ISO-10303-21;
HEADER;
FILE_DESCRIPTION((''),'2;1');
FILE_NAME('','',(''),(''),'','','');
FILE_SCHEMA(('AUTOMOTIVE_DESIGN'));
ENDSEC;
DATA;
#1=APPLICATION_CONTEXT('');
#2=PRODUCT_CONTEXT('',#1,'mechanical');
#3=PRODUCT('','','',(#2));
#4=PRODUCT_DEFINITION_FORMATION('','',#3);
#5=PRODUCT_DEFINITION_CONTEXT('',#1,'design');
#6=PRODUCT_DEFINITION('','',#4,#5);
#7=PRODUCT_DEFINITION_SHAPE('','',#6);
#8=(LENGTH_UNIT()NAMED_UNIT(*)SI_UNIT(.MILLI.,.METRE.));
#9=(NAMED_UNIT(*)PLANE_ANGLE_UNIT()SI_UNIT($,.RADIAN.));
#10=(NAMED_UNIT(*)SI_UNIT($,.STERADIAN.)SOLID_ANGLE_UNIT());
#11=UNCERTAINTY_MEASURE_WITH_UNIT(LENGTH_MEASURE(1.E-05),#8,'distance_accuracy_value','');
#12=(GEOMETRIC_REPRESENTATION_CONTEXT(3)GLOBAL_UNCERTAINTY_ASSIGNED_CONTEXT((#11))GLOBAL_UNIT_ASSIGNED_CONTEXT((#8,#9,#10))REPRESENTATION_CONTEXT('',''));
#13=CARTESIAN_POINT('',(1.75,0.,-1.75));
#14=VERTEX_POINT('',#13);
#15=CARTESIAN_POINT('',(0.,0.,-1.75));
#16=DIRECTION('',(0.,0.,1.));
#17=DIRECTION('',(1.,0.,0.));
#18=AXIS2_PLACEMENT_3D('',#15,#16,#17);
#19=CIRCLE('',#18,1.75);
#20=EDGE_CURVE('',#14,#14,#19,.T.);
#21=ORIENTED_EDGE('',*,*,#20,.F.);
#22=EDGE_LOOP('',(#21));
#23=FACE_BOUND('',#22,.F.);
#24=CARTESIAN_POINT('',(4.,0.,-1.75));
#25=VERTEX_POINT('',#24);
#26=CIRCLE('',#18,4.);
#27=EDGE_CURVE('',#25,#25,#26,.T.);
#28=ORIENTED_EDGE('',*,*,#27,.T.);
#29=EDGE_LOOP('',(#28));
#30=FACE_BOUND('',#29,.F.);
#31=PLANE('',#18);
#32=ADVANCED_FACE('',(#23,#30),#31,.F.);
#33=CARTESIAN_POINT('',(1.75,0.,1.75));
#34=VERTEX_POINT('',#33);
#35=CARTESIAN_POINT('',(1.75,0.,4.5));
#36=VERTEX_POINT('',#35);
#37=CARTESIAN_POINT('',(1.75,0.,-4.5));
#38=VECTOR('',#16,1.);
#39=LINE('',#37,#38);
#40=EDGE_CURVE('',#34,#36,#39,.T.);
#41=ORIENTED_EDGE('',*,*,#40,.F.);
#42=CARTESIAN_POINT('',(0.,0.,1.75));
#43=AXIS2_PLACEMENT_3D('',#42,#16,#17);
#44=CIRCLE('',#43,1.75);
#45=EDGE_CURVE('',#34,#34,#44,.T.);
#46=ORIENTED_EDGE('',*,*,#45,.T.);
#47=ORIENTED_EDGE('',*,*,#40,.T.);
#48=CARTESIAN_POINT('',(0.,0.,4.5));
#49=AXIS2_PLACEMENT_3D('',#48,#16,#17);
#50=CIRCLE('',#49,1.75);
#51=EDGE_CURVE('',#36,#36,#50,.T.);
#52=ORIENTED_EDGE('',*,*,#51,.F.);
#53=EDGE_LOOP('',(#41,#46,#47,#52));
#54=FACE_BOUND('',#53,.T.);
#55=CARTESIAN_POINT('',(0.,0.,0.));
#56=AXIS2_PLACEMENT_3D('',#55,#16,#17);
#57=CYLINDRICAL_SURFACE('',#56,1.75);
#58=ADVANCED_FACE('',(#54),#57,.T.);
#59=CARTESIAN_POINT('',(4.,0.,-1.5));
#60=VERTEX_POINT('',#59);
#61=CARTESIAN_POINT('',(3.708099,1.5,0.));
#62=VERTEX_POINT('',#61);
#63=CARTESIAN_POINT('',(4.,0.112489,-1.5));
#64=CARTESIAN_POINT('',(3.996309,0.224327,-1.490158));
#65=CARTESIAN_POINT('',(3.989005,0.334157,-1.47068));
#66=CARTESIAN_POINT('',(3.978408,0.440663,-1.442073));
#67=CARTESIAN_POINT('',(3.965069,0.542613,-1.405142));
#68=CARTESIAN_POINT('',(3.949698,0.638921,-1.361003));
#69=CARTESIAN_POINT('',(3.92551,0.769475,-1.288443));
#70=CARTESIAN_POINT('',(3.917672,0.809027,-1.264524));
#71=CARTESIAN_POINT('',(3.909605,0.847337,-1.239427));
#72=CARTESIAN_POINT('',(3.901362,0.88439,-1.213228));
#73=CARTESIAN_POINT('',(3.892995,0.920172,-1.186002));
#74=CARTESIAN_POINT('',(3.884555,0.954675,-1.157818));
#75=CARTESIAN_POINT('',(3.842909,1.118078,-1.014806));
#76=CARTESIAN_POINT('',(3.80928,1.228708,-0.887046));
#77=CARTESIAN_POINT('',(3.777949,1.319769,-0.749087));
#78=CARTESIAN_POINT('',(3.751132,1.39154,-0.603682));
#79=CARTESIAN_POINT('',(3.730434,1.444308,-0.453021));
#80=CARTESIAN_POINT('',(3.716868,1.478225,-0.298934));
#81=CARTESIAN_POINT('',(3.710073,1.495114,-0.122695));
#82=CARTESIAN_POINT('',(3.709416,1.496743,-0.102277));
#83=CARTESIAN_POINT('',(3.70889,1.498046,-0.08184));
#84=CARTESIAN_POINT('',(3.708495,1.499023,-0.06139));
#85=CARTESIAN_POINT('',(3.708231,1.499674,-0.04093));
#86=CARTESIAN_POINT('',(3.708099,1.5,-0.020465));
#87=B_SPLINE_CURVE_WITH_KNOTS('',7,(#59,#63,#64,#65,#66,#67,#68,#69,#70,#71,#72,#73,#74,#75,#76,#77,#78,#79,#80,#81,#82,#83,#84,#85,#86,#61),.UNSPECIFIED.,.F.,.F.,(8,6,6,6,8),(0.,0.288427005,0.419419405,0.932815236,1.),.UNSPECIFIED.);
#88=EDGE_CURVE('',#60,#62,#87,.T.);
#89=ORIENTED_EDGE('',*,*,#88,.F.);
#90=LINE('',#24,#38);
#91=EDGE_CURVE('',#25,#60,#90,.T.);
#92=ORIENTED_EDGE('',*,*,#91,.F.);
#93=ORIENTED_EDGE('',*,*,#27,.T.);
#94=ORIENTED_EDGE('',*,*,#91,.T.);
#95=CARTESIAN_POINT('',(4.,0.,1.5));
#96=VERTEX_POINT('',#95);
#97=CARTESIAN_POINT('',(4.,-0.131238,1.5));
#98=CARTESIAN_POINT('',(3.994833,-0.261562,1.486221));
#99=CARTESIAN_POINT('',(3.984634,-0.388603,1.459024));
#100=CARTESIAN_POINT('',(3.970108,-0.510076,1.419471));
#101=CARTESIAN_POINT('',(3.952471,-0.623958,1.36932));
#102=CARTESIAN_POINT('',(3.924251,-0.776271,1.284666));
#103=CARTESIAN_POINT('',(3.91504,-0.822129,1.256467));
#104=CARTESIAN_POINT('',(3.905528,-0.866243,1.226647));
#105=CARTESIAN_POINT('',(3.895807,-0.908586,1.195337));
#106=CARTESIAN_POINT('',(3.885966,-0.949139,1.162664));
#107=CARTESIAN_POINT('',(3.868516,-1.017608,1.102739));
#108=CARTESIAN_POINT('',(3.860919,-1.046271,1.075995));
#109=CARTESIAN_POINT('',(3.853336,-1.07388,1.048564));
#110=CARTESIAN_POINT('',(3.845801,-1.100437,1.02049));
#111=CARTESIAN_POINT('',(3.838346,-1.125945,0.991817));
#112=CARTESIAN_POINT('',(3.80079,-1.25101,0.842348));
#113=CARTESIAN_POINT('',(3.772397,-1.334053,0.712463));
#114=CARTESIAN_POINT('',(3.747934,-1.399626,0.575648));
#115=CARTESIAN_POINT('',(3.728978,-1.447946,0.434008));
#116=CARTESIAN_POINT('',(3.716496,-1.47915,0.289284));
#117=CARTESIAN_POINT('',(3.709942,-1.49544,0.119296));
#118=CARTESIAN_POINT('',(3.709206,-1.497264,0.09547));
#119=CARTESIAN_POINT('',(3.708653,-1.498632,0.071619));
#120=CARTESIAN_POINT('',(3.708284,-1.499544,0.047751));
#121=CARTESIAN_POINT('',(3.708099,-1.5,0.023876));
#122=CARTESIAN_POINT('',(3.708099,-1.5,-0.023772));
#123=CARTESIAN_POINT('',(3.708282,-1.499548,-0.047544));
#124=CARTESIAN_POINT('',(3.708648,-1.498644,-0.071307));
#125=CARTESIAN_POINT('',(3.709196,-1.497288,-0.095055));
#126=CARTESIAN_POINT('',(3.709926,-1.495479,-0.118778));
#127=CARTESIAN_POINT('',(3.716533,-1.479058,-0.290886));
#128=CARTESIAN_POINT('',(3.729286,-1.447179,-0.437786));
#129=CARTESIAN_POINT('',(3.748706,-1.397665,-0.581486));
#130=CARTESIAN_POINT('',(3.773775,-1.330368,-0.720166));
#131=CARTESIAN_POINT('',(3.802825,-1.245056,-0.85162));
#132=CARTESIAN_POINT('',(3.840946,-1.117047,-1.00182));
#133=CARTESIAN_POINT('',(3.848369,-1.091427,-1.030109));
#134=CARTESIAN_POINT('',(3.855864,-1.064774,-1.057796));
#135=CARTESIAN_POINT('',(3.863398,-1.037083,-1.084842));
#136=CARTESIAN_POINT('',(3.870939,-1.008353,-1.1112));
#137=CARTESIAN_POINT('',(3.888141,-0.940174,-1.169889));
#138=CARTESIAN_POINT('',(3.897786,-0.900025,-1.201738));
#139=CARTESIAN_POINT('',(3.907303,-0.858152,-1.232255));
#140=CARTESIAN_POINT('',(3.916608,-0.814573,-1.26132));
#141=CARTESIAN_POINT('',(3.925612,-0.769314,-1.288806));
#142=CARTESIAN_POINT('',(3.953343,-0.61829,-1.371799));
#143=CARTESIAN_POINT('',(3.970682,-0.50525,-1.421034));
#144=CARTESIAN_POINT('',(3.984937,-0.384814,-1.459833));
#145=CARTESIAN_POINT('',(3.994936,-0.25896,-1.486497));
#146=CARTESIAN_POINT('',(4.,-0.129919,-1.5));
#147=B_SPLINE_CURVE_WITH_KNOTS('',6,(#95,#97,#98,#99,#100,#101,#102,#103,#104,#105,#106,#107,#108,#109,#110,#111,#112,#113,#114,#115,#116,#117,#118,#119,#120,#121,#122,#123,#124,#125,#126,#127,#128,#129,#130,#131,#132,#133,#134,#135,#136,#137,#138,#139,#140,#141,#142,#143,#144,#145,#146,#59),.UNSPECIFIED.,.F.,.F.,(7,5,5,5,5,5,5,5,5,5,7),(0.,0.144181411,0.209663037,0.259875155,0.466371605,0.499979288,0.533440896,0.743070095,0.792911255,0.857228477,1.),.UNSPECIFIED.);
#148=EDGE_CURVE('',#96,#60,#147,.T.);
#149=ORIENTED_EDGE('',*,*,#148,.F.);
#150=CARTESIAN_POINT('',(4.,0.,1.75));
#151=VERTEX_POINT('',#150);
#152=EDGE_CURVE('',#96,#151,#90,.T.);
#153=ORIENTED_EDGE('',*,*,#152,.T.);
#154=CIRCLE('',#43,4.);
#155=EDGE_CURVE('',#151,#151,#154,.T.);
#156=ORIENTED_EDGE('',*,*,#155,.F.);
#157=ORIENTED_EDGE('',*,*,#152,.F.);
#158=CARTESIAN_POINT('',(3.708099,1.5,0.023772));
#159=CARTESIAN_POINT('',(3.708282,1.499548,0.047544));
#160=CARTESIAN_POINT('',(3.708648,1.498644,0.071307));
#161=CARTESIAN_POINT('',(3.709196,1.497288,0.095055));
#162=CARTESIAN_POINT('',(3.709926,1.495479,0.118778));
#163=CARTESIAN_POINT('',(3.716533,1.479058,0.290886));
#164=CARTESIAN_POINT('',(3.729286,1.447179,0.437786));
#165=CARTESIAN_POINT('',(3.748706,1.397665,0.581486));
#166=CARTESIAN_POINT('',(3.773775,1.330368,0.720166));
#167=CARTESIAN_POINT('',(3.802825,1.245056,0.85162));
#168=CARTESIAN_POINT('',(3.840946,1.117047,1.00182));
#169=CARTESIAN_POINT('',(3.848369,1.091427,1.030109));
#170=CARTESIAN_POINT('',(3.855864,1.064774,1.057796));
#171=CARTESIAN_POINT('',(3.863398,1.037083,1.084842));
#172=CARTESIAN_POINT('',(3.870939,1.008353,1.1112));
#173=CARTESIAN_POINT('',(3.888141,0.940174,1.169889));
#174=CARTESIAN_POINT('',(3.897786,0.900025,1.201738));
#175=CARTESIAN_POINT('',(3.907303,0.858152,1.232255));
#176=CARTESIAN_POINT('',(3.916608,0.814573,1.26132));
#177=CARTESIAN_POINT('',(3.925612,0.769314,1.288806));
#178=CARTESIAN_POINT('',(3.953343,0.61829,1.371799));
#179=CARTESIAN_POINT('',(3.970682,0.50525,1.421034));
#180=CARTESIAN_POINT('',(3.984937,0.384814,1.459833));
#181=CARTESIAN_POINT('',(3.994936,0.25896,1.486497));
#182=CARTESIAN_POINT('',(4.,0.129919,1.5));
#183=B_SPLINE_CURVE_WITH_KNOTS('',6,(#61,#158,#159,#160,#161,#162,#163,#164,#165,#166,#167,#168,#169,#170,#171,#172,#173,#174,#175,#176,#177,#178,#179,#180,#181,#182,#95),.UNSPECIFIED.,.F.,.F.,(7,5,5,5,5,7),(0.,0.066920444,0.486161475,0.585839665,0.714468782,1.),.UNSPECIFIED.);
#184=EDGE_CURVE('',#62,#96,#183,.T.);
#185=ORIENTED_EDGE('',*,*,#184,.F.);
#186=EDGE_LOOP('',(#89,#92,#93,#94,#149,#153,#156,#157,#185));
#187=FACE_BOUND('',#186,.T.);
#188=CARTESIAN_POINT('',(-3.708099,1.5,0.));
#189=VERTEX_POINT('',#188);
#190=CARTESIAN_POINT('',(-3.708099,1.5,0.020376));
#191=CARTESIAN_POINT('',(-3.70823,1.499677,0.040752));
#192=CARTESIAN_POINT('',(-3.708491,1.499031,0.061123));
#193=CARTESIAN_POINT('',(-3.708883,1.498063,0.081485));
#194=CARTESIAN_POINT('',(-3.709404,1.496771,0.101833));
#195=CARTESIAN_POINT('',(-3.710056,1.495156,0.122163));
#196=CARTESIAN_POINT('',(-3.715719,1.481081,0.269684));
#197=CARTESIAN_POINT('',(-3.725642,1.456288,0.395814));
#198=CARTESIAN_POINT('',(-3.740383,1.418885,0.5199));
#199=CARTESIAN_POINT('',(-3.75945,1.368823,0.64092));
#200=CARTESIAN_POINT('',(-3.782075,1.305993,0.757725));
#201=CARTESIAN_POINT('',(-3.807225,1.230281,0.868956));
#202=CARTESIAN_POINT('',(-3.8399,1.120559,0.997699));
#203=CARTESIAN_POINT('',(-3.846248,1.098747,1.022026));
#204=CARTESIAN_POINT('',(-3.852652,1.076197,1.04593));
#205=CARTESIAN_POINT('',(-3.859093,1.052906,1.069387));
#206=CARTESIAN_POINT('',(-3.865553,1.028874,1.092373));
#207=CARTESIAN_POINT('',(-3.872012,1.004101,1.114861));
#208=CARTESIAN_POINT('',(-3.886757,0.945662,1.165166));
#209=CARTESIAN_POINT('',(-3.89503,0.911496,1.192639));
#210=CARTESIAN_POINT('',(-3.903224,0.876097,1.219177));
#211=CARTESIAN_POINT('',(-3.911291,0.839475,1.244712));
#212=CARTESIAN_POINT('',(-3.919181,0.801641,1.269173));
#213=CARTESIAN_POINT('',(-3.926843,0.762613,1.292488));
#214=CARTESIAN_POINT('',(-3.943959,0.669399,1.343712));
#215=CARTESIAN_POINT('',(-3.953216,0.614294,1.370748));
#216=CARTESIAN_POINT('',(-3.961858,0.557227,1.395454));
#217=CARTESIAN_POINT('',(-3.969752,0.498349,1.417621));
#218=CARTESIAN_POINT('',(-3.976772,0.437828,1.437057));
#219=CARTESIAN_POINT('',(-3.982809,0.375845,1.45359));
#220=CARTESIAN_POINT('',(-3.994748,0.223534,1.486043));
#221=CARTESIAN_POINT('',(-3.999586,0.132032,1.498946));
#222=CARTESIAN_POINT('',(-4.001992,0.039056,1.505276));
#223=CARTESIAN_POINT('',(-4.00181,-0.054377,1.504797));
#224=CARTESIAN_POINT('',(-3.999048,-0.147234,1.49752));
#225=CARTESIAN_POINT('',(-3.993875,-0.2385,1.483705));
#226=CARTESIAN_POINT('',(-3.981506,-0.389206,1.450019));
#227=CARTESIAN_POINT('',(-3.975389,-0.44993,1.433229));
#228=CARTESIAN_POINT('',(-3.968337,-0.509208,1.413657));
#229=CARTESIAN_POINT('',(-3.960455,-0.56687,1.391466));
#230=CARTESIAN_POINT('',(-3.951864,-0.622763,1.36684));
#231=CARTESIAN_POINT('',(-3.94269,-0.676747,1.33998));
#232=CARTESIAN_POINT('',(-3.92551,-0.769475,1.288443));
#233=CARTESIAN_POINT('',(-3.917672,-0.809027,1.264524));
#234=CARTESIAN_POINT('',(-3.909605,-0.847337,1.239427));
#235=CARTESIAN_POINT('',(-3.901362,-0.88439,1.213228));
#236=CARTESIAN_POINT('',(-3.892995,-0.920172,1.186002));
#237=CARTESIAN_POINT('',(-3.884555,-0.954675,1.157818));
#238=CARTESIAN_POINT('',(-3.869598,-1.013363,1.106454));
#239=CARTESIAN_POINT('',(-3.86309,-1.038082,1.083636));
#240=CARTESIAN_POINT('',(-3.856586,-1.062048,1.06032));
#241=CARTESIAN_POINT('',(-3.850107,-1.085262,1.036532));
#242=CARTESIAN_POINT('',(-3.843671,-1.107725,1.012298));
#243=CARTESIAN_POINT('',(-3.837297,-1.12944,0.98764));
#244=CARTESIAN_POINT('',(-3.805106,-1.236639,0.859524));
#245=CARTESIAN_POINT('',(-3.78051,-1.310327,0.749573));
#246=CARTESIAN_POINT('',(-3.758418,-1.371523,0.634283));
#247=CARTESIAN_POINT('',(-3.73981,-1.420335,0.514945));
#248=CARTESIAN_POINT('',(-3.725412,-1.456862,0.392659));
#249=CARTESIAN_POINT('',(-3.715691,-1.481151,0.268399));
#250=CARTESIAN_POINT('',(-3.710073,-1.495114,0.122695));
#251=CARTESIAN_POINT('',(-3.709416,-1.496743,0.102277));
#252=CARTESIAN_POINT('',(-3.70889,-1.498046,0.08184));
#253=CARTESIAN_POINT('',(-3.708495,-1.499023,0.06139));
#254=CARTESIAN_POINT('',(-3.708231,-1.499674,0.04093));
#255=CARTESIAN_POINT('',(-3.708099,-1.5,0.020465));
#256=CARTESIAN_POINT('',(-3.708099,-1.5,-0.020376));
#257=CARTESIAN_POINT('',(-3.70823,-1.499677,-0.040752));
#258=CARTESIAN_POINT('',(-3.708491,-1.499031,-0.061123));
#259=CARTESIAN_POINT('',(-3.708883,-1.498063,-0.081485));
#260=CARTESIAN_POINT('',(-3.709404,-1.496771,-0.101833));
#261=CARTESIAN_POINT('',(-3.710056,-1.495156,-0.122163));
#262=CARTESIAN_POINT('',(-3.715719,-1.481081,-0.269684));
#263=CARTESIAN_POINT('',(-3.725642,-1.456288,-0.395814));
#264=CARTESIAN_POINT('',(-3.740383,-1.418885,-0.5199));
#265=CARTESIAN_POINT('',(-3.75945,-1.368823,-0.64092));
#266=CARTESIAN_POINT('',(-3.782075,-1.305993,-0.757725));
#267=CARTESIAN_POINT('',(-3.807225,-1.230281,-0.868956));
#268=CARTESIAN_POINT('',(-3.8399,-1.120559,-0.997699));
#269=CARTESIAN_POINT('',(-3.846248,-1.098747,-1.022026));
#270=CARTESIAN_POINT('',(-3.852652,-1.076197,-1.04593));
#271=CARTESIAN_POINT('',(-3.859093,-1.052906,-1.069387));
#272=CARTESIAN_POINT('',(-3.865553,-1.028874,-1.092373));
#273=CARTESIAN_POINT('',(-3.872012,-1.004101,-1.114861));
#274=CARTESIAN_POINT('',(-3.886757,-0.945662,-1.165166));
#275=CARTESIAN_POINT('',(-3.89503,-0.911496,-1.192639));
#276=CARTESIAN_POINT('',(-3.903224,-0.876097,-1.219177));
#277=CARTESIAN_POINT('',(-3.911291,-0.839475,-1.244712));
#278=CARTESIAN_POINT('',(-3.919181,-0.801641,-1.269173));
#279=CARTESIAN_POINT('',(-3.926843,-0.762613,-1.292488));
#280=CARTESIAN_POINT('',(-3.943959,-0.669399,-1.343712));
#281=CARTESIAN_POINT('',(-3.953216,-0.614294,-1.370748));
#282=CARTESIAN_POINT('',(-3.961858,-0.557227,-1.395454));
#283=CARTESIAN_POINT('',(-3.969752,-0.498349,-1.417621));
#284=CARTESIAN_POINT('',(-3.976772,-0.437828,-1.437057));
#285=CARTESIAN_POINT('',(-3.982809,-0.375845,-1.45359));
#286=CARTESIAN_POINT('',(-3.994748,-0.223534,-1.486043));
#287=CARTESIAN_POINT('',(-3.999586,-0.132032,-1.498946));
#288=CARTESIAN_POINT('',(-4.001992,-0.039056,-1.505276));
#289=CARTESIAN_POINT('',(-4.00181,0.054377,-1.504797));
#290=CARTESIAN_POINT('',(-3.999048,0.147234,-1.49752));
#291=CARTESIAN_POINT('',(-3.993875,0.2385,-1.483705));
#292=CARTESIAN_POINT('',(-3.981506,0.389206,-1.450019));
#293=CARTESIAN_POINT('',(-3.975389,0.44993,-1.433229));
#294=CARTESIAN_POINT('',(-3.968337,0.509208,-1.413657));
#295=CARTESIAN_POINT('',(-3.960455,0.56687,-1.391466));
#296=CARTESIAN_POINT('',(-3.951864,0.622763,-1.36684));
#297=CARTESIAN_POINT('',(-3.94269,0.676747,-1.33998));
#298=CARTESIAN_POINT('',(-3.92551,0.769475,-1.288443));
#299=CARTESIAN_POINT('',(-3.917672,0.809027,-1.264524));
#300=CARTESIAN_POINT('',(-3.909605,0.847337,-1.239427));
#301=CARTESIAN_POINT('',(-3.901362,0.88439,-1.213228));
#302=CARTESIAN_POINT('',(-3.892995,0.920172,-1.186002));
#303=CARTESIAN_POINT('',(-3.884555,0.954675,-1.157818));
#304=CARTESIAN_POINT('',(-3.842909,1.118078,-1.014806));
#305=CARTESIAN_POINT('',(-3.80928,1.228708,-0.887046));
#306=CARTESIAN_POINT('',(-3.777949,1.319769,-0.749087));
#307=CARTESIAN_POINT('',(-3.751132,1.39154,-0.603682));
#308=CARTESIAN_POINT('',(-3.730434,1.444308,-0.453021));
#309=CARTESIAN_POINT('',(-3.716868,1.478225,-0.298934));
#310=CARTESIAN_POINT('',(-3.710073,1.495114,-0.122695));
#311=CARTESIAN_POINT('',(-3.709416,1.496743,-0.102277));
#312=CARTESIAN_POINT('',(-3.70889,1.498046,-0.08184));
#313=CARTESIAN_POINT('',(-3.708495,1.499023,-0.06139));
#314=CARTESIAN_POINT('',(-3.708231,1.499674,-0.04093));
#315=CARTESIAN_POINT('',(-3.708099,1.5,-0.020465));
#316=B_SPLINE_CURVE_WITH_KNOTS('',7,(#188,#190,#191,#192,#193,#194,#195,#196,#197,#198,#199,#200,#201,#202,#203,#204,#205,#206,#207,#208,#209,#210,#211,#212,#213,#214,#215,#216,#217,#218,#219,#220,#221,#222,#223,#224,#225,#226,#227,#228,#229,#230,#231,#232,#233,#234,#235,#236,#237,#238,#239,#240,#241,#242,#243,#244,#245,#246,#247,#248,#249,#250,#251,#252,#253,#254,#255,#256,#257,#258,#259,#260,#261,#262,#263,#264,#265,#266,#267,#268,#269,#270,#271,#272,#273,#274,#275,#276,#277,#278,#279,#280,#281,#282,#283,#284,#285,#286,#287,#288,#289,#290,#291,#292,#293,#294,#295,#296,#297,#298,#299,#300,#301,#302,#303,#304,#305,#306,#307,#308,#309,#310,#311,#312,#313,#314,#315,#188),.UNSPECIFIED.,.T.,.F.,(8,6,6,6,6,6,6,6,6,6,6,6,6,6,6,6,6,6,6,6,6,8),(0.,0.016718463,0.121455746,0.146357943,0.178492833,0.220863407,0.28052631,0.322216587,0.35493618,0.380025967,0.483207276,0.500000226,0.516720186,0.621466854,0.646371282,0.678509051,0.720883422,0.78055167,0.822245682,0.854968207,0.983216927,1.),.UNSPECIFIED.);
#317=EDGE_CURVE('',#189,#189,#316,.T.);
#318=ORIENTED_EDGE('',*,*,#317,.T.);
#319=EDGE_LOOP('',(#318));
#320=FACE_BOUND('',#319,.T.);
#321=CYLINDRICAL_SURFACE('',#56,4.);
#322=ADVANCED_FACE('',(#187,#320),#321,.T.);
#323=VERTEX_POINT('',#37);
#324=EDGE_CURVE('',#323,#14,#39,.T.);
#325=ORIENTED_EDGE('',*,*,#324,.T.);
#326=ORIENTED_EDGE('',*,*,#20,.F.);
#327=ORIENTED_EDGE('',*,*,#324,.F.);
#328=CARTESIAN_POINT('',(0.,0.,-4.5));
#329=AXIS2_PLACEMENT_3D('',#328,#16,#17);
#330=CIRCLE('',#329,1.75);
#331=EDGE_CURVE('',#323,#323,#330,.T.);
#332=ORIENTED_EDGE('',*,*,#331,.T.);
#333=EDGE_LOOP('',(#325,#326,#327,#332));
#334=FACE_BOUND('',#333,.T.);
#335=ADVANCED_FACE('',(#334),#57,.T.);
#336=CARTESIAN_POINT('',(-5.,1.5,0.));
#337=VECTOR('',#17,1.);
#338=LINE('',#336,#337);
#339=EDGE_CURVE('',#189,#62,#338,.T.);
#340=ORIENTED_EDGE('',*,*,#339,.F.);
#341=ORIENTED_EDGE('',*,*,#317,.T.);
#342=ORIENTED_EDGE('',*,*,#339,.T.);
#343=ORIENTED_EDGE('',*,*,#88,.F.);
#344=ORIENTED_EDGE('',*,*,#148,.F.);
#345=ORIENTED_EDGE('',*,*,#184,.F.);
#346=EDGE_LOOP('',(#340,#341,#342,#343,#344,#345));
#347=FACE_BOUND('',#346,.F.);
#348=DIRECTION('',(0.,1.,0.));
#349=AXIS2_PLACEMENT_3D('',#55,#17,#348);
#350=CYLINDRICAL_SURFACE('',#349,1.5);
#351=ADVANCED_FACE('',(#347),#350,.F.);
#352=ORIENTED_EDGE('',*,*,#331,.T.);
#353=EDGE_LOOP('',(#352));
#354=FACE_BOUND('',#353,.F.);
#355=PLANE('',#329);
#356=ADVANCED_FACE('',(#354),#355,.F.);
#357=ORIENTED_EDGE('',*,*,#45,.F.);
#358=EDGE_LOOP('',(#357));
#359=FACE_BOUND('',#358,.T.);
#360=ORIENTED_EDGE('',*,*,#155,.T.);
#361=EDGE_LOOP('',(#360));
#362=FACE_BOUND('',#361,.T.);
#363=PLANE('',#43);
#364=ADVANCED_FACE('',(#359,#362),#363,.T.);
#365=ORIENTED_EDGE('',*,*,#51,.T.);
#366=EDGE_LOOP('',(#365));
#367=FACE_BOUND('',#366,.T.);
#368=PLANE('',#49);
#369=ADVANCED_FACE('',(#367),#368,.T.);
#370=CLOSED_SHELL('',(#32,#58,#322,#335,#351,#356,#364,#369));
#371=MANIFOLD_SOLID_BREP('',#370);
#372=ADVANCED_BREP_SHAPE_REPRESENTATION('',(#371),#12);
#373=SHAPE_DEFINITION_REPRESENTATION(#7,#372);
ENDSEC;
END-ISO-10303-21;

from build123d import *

# Parameters (mm, degrees)
F0_R     = 4
F0_R_2   = 1.75
F1_DEPTH = 1.75
F2_DEPTH = 4.5
F3_R     = 1.5
F4_DEPTH = 5


with BuildPart() as f1:
    # F0 (on Top) → F1 (new body, symmetric)
    with BuildSketch(Plane.XY):
        Circle(F0_R)
        Circle(F0_R_2, mode=Mode.SUBTRACT)
    extrude(amount=F1_DEPTH, both=True)

    # F0 (on Top) → F2 (join, symmetric)
    with BuildSketch(Plane.XY):
        Circle(F0_R_2)
    extrude(amount=F2_DEPTH, both=True)

    # F3 (on Right) → F4 (cut, symmetric)
    with BuildSketch(Plane.YZ):
        Circle(F3_R)
    extrude(amount=F4_DEPTH, both=True, mode=Mode.SUBTRACT)


solid = f1.part
